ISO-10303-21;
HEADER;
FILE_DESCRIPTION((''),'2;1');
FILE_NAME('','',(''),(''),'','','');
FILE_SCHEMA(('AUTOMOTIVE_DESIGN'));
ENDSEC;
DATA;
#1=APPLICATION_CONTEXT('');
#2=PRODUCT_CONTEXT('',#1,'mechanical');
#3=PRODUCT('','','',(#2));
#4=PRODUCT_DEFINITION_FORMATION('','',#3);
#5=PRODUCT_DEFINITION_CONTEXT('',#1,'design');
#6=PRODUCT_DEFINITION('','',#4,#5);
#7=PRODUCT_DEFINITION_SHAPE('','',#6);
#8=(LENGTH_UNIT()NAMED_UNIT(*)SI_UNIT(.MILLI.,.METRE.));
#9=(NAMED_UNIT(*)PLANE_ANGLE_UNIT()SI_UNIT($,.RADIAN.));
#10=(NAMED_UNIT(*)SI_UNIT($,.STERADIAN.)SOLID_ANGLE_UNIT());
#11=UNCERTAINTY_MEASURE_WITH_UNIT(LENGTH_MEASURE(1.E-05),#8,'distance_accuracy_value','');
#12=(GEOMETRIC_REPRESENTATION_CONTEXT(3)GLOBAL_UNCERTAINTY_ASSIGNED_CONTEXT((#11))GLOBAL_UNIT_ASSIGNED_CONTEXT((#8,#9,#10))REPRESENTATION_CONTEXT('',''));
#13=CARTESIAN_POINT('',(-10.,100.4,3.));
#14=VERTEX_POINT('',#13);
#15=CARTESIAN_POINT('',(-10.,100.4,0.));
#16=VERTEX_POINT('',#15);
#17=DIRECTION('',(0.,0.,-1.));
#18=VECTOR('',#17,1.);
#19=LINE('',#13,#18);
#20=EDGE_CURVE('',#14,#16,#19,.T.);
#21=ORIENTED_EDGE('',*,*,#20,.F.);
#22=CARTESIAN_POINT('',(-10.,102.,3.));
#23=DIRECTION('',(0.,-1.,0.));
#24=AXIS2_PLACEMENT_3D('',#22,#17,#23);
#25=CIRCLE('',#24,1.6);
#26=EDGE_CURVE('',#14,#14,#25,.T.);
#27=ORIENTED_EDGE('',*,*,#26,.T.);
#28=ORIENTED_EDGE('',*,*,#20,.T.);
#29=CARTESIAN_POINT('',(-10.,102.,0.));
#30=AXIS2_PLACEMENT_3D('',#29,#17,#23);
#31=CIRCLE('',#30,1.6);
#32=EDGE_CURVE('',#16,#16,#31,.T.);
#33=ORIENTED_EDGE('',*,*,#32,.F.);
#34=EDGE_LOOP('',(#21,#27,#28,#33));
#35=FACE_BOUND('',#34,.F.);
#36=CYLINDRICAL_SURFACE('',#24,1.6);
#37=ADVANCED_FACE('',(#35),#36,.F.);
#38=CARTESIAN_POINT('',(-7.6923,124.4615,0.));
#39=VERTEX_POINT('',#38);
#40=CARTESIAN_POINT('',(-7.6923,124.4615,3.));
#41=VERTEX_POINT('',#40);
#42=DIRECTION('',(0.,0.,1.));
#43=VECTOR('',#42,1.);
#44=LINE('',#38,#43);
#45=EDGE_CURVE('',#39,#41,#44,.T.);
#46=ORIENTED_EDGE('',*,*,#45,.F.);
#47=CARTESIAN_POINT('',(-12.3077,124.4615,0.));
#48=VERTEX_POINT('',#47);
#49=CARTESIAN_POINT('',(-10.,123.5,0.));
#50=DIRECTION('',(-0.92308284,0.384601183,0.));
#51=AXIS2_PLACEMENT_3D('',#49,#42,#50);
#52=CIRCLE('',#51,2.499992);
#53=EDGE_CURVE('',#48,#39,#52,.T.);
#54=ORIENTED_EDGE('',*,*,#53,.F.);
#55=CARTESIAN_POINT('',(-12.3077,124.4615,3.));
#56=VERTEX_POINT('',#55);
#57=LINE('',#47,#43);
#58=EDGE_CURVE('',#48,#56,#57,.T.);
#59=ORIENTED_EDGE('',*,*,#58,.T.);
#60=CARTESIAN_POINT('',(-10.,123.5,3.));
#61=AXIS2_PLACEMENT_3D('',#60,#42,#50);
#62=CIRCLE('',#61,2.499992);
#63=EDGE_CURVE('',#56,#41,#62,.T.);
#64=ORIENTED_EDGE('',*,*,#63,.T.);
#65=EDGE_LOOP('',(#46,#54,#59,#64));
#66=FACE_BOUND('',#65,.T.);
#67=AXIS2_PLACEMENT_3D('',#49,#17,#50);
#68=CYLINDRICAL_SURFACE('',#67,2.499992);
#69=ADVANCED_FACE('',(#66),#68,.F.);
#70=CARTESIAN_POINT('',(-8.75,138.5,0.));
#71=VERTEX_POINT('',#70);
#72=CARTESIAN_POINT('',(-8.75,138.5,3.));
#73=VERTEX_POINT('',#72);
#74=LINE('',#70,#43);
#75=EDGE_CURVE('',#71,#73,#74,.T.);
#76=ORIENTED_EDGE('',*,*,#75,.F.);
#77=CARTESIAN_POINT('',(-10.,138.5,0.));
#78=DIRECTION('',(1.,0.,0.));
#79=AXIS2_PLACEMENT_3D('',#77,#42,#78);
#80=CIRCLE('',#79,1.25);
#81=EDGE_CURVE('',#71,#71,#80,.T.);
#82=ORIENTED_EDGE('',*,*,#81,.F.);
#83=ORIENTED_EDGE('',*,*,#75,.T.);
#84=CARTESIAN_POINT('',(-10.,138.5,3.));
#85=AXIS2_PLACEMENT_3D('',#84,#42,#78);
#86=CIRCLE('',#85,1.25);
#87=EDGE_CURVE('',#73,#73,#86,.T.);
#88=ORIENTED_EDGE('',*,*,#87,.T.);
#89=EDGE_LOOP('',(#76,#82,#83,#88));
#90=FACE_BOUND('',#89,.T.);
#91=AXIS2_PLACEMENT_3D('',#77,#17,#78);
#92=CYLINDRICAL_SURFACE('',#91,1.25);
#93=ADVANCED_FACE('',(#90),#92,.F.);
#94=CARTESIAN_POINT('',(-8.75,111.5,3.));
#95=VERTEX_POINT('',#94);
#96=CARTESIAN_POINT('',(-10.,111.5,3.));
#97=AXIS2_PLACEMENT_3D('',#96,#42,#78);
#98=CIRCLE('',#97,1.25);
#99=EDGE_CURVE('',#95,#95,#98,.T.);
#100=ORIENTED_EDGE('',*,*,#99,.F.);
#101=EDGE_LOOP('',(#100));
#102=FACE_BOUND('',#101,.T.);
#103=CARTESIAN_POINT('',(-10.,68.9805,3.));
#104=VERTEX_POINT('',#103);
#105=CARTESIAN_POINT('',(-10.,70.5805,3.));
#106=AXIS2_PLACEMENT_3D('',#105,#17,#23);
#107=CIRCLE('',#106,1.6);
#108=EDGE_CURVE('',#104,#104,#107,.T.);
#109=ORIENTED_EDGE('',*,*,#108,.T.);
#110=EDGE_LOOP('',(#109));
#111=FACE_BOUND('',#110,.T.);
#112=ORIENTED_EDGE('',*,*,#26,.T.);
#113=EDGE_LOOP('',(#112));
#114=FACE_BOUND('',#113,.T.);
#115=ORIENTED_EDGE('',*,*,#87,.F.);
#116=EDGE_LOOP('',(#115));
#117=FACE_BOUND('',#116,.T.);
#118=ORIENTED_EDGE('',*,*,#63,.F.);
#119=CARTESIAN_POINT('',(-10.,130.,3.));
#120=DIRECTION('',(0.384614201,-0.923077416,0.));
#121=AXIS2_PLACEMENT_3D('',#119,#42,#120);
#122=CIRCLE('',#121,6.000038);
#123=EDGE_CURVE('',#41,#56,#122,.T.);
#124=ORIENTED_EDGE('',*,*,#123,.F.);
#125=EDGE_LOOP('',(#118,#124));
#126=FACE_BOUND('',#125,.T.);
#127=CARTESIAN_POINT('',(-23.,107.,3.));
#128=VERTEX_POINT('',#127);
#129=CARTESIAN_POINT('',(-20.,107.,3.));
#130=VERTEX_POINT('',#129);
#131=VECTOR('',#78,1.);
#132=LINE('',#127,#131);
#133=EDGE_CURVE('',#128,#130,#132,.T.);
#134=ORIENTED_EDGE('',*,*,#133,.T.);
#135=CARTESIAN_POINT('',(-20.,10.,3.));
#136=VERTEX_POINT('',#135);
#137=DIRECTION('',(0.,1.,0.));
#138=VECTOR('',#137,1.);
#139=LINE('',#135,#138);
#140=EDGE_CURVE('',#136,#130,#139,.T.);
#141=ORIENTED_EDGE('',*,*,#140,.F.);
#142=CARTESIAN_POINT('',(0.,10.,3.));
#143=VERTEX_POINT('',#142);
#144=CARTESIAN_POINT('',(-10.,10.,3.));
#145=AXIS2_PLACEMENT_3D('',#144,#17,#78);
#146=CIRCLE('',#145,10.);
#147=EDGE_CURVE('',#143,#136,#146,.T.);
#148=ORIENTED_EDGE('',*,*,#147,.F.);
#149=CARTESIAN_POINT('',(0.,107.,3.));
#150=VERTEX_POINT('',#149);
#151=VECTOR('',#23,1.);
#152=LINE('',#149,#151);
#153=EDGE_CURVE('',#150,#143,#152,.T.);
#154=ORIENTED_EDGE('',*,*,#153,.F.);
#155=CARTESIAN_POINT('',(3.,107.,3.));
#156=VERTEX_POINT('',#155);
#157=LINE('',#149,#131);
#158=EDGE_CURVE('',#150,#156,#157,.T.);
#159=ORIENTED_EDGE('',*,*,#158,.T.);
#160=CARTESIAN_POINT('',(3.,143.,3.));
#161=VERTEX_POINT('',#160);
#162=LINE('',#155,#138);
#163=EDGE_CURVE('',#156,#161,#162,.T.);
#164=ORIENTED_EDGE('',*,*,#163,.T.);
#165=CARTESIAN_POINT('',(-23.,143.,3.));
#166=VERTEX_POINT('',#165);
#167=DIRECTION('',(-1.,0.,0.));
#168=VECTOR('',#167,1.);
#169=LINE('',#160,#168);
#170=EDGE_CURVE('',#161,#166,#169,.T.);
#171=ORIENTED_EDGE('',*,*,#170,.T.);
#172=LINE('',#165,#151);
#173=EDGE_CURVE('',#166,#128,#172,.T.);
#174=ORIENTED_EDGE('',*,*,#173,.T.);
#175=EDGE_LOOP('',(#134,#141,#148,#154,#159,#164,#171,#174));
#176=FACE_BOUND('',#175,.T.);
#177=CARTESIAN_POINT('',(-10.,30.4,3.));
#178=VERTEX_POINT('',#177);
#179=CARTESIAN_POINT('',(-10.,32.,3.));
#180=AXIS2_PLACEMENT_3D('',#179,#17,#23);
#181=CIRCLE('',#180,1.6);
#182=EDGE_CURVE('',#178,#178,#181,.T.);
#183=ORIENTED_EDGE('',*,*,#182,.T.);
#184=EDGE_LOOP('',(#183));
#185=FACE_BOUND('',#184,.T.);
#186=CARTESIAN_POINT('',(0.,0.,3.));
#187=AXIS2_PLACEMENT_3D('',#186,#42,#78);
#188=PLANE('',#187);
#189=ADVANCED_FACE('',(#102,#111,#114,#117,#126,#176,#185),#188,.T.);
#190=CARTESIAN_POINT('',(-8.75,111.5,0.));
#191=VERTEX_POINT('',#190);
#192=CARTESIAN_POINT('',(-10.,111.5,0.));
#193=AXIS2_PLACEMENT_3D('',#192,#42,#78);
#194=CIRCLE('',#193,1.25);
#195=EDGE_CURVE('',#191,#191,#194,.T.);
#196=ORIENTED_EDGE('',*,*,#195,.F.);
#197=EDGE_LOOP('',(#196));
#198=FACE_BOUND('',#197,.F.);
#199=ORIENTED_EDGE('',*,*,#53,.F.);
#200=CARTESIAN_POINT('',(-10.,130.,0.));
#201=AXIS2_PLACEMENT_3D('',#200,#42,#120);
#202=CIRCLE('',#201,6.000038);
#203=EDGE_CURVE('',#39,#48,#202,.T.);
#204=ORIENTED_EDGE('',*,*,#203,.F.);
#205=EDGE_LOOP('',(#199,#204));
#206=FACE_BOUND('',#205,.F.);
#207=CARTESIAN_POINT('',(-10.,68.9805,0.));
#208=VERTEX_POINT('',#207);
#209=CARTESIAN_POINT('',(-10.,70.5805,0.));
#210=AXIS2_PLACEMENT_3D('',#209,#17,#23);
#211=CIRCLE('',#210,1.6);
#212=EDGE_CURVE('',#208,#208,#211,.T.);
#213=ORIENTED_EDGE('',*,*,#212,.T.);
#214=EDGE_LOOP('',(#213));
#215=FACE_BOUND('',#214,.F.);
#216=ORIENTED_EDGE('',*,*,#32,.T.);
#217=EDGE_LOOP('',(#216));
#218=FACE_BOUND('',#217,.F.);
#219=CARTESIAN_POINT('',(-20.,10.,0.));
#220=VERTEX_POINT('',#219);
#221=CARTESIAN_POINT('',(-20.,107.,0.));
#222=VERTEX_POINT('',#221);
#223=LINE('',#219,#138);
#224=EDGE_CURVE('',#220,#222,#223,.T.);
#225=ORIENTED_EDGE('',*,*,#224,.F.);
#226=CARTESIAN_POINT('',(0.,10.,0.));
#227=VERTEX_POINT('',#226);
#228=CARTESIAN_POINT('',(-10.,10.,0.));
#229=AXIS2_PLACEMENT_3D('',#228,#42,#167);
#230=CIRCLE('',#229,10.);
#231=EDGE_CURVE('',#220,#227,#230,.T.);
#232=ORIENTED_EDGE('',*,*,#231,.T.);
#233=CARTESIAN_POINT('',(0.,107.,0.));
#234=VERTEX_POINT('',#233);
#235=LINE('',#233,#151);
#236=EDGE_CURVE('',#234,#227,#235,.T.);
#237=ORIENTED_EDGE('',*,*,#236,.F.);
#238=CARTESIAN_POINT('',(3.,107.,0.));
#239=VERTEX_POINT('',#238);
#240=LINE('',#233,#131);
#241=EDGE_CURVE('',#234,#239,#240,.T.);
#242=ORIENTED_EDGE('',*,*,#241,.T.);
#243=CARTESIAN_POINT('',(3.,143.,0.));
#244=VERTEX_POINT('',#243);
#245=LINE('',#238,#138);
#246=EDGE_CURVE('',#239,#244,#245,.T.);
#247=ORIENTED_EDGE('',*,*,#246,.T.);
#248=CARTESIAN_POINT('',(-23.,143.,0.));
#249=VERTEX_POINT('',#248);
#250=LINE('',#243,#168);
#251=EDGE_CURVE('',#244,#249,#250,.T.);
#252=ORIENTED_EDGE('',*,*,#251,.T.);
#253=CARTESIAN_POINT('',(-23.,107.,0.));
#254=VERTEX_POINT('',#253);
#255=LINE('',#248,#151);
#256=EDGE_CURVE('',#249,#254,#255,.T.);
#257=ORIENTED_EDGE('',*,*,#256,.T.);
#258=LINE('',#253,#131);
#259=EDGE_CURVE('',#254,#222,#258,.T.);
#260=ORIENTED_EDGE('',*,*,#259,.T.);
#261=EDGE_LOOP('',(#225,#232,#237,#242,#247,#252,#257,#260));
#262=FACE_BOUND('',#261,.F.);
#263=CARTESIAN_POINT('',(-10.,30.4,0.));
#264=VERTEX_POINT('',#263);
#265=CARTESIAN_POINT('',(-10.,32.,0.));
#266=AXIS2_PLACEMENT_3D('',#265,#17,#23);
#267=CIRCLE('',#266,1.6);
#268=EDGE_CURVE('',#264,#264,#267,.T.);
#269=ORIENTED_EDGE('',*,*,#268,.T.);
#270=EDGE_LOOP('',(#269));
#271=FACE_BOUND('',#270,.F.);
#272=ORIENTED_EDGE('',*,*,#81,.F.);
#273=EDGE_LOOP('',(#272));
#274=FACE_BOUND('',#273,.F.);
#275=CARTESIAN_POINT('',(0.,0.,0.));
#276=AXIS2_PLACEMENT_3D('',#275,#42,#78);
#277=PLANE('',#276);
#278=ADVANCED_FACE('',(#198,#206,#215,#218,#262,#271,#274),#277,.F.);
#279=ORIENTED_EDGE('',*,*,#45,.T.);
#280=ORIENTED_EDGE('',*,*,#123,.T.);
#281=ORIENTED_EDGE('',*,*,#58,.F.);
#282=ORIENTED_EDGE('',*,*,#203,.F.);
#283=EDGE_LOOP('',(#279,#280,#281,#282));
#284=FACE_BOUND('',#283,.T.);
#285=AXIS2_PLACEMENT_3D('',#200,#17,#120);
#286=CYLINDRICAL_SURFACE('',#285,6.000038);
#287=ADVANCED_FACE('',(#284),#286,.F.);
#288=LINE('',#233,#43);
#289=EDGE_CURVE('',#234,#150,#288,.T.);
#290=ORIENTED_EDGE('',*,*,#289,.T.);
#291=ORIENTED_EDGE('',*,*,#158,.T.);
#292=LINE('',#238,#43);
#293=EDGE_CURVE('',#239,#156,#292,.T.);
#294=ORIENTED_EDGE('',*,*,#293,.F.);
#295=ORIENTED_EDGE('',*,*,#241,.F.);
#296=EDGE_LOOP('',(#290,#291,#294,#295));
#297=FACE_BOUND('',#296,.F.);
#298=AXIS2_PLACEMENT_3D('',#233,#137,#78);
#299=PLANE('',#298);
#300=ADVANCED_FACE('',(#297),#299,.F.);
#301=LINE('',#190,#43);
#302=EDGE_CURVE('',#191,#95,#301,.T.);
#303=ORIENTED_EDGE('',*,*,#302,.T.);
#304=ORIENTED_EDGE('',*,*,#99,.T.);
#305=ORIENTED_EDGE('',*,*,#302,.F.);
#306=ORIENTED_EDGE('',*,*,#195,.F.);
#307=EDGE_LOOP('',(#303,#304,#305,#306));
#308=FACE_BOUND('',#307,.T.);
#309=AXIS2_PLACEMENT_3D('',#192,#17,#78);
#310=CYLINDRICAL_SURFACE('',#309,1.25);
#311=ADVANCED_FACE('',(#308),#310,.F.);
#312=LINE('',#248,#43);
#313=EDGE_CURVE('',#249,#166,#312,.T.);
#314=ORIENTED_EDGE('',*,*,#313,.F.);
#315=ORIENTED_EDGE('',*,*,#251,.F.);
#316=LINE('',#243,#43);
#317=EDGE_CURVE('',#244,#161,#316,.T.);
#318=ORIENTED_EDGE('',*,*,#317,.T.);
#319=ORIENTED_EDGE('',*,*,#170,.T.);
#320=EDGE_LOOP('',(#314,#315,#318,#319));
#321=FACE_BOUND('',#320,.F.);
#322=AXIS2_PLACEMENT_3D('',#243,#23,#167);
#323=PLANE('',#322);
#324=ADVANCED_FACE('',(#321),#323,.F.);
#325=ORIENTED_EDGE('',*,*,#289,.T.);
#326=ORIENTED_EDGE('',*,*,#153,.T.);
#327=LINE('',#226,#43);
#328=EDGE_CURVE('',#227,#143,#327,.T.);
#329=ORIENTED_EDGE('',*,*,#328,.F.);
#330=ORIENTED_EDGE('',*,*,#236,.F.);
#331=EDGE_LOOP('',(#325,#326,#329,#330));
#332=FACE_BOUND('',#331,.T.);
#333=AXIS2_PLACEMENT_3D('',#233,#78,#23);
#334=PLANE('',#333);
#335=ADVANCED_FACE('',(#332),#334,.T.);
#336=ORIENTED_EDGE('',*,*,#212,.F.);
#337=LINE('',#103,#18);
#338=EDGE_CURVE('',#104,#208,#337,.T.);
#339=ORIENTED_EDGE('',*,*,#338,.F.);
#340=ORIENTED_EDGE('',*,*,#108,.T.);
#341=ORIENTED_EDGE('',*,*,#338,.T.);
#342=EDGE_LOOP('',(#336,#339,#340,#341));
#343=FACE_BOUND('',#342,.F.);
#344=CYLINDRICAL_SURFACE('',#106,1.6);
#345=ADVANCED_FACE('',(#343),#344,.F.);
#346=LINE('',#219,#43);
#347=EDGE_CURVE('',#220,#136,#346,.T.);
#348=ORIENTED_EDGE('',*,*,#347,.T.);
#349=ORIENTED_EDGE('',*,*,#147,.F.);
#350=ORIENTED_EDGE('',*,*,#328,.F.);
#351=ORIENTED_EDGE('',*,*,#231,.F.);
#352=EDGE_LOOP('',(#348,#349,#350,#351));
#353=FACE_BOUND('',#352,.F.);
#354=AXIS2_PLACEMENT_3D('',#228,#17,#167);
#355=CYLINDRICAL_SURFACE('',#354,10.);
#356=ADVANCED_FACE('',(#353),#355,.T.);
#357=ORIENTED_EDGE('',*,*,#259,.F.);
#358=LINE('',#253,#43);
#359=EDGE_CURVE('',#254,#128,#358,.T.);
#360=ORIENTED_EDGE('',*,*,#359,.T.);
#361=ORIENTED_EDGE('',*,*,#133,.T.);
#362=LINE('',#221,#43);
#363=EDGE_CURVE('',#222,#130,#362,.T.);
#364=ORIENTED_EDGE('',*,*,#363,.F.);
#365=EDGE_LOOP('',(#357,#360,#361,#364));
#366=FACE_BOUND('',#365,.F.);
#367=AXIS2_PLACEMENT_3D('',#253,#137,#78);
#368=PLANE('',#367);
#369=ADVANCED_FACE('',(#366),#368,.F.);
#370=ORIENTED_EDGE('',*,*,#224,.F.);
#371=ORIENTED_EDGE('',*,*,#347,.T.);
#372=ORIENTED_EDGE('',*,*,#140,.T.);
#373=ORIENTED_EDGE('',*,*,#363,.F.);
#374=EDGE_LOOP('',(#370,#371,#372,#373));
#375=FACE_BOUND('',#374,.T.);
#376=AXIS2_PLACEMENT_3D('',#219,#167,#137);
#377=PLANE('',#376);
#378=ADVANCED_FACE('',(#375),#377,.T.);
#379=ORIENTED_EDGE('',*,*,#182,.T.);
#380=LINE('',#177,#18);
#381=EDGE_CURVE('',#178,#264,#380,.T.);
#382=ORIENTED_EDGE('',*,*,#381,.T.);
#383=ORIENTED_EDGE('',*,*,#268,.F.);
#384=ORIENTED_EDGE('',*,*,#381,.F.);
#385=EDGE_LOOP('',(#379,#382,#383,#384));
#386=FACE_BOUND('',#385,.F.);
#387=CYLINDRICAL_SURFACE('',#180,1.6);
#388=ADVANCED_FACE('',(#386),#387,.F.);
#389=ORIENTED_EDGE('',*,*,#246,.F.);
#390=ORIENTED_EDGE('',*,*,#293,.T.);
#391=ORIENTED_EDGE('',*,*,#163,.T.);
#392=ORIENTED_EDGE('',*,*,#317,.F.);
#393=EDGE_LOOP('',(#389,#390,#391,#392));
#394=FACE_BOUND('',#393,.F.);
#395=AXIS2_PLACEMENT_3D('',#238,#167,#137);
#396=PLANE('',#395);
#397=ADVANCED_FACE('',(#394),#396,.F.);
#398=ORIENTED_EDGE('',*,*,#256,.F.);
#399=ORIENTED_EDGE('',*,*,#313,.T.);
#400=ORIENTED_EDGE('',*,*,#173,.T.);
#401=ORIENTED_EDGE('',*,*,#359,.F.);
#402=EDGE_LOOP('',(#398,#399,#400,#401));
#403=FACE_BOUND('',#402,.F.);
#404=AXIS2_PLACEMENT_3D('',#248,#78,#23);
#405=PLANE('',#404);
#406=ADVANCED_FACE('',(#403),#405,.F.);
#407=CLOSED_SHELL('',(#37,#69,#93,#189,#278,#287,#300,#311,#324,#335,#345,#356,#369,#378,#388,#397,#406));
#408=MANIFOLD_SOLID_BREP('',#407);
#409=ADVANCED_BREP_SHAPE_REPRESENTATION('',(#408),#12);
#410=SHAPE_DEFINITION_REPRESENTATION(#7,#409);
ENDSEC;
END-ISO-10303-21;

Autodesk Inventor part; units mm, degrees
ref_plane "YZ Plane" through (0, 0, 0) normal (1, 0, 0) x (0, 1, 0)
ref_plane "XZ Plane" through (0, 0, 0) normal (0, 1, 0) x (-1, 0, 0)
ref_plane "XY Plane" through (0, 0, 0) normal (0, 0, 1) x (1, 0, 0)
sketch "Szkic1" plane through (0, 0, 0) normal (0, 0, 1) x (1, 0, 0)
  line L0 (-10, 0) -> (-10, 0)
  line L1 (-20, 10) -> (-20, 107)
  line L2 (0, 107) -> (0, 10)
  arc A0 (-20, 10) -> (-10, 0) centre (-10, 10) ccw
  arc A1 (-10, 0) -> (0, 10) centre (-10, 10) ccw
  line L3 (-23, 143) -> (-23, 107)
  line L4 (3, 107) -> (3, 143)
  line L5 (3, 143) -> (-23, 143)
  line L6 (-23, 143) -> (3, 107) construction
  line L7 (-23, 107) -> (3, 143) construction
  line L8 (-23, 107) -> (-20, 107)
  line L9 (0, 107) -> (3, 107)
  arc A2 (-7.6923, 124.4615) -> (-12.3077, 124.4615) centre (-10, 130) ccw
  arc A3 (-12.3077, 124.4615) -> (-7.6923, 124.4615) centre (-10, 123.5) ccw
  circle A4 centre (-10, 111.5) radius 1.25
  circle A5 centre (-10, 138.5) radius 1.25
  point P0 (0, 0)
  point P1 (-10, 125)
  dimension "d2" = 10
  dimension "d3" = 26
  dimension "d4" = 36
  dimension "d5" = 20
  dimension "d10" = 3
  dimension "d13" = 5
  dimension "d19" = 2.5
  dimension "d20" = 2.5
  dimension "d22" = 6
  dimension "d23" = 13
  dimension "d24" = 13
  dimension "d25" = 6.5
  dimension "d26" = 13
  dimension "d27" = 4.5
  dimension "d28" = 31.5
  dimension "d29" = 13
  dimension "d30" = 120
  dimension "d31" = 36
extrude "Wyciągnięcie proste1" add sketch "Szkic1" along normal blind 3
sketch "Szkic2" plane through (0, 0, 3) normal (0, 0, 1) x (1, 0, 0)
  point P0 (0, 0)
  point P1 (-10, 32)
  point P2 (-10, 70.5805)
  dimension "d49" = 32
hole "Otwór1" at (-10, 32, 3) at (-10, 70.5805, 3) direction (0, 0, -1) diameter 3.2 end through all
sketch "Szkic3" plane through (0, 0, 3) normal (0, 0, 1) x (1, 0, 0)
  arc A0 (-20, 10) -> (0, 10) centre (-10, 10) ccw projected
  point P0 (0, 0)
  point P1 (-10, 102)
  dimension "d41" = 92
hole "Otwór2" at (-10, 102, 3) direction (0, 0, -1) diameter 3.2 end through all
sketch "Szkic4" plane through (0, 0, 3) normal (0, 0, 1) x (1, 0, 0)
  arc A0 (-20, 10) -> (0, 10) centre (-10, 10) ccw projected
  point P0 (0, 0)
properties material "Drewno (wiśnia)"
